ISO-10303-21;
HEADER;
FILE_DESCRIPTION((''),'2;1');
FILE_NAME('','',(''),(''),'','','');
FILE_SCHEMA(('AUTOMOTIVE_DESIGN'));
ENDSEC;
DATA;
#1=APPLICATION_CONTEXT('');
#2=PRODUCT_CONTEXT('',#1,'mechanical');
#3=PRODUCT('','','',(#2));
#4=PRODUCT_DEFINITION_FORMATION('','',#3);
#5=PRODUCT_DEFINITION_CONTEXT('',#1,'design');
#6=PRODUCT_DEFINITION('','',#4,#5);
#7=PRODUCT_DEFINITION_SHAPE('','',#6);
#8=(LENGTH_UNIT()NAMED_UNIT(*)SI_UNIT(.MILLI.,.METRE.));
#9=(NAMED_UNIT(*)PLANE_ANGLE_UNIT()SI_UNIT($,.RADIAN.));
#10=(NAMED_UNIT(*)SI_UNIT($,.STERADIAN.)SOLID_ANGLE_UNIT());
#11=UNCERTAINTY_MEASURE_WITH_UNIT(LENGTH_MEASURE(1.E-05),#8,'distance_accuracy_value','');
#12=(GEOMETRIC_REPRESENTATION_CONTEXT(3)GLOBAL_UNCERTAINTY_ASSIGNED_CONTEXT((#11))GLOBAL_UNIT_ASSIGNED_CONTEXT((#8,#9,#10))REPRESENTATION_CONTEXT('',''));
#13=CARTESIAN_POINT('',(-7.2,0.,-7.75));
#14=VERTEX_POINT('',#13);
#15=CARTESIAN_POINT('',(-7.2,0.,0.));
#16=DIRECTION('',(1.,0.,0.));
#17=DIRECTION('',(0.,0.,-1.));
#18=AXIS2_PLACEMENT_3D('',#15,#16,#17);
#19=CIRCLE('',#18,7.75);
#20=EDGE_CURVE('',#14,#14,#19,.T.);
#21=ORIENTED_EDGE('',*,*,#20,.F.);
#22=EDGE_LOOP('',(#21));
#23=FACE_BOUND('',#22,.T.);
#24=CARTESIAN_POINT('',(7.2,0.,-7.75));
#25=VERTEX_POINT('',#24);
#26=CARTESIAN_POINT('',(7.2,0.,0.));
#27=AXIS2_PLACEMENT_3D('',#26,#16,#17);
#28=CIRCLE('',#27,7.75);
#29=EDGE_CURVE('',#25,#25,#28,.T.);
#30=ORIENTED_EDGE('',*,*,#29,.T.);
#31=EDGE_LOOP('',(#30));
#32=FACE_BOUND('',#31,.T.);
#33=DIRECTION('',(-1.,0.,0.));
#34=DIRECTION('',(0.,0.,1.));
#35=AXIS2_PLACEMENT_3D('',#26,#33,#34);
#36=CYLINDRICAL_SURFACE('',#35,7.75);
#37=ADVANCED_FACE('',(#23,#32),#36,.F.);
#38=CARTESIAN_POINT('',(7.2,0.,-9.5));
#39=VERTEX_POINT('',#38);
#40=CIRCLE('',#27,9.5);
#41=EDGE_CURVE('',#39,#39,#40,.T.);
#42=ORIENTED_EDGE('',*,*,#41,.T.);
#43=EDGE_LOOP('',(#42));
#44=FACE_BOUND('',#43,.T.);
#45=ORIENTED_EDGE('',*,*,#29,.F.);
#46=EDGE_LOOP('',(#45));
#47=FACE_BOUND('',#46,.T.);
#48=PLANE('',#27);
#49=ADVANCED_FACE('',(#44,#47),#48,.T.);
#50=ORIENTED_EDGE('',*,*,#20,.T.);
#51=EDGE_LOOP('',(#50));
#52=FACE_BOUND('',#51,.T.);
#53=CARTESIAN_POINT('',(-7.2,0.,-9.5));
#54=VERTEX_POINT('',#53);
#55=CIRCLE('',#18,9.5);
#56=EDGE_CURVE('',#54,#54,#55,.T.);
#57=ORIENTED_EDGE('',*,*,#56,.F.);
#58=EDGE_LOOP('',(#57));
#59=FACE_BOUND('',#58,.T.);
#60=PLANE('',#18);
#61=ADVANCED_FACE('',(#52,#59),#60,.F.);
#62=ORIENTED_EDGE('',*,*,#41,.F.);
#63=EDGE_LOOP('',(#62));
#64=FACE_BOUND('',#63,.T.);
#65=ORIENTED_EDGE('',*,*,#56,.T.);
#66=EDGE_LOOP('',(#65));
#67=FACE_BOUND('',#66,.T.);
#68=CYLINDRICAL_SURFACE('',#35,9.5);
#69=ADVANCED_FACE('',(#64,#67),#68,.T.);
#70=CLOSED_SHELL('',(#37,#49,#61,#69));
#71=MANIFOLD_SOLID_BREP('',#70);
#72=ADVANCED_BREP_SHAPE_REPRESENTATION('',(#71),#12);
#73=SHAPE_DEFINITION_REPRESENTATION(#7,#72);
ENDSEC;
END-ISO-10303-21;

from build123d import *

# Parameters (mm, degrees)
SKETCH1_R           = 9.5
SKETCH1_R_2         = 7.75
BOSS_EXTRUDE1_DEPTH = 7.2


with BuildPart() as part:
    # Sketch1 → Boss-Extrude1 (new, symmetric)
    with BuildSketch(Plane(origin=(0, 0, 0), x_dir=(0, 0, -1), z_dir=(1, 0, 0))):
        Circle(SKETCH1_R)
        Circle(SKETCH1_R_2, mode=Mode.SUBTRACT)
    extrude(amount=BOSS_EXTRUDE1_DEPTH, both=True)


solid = part.part
